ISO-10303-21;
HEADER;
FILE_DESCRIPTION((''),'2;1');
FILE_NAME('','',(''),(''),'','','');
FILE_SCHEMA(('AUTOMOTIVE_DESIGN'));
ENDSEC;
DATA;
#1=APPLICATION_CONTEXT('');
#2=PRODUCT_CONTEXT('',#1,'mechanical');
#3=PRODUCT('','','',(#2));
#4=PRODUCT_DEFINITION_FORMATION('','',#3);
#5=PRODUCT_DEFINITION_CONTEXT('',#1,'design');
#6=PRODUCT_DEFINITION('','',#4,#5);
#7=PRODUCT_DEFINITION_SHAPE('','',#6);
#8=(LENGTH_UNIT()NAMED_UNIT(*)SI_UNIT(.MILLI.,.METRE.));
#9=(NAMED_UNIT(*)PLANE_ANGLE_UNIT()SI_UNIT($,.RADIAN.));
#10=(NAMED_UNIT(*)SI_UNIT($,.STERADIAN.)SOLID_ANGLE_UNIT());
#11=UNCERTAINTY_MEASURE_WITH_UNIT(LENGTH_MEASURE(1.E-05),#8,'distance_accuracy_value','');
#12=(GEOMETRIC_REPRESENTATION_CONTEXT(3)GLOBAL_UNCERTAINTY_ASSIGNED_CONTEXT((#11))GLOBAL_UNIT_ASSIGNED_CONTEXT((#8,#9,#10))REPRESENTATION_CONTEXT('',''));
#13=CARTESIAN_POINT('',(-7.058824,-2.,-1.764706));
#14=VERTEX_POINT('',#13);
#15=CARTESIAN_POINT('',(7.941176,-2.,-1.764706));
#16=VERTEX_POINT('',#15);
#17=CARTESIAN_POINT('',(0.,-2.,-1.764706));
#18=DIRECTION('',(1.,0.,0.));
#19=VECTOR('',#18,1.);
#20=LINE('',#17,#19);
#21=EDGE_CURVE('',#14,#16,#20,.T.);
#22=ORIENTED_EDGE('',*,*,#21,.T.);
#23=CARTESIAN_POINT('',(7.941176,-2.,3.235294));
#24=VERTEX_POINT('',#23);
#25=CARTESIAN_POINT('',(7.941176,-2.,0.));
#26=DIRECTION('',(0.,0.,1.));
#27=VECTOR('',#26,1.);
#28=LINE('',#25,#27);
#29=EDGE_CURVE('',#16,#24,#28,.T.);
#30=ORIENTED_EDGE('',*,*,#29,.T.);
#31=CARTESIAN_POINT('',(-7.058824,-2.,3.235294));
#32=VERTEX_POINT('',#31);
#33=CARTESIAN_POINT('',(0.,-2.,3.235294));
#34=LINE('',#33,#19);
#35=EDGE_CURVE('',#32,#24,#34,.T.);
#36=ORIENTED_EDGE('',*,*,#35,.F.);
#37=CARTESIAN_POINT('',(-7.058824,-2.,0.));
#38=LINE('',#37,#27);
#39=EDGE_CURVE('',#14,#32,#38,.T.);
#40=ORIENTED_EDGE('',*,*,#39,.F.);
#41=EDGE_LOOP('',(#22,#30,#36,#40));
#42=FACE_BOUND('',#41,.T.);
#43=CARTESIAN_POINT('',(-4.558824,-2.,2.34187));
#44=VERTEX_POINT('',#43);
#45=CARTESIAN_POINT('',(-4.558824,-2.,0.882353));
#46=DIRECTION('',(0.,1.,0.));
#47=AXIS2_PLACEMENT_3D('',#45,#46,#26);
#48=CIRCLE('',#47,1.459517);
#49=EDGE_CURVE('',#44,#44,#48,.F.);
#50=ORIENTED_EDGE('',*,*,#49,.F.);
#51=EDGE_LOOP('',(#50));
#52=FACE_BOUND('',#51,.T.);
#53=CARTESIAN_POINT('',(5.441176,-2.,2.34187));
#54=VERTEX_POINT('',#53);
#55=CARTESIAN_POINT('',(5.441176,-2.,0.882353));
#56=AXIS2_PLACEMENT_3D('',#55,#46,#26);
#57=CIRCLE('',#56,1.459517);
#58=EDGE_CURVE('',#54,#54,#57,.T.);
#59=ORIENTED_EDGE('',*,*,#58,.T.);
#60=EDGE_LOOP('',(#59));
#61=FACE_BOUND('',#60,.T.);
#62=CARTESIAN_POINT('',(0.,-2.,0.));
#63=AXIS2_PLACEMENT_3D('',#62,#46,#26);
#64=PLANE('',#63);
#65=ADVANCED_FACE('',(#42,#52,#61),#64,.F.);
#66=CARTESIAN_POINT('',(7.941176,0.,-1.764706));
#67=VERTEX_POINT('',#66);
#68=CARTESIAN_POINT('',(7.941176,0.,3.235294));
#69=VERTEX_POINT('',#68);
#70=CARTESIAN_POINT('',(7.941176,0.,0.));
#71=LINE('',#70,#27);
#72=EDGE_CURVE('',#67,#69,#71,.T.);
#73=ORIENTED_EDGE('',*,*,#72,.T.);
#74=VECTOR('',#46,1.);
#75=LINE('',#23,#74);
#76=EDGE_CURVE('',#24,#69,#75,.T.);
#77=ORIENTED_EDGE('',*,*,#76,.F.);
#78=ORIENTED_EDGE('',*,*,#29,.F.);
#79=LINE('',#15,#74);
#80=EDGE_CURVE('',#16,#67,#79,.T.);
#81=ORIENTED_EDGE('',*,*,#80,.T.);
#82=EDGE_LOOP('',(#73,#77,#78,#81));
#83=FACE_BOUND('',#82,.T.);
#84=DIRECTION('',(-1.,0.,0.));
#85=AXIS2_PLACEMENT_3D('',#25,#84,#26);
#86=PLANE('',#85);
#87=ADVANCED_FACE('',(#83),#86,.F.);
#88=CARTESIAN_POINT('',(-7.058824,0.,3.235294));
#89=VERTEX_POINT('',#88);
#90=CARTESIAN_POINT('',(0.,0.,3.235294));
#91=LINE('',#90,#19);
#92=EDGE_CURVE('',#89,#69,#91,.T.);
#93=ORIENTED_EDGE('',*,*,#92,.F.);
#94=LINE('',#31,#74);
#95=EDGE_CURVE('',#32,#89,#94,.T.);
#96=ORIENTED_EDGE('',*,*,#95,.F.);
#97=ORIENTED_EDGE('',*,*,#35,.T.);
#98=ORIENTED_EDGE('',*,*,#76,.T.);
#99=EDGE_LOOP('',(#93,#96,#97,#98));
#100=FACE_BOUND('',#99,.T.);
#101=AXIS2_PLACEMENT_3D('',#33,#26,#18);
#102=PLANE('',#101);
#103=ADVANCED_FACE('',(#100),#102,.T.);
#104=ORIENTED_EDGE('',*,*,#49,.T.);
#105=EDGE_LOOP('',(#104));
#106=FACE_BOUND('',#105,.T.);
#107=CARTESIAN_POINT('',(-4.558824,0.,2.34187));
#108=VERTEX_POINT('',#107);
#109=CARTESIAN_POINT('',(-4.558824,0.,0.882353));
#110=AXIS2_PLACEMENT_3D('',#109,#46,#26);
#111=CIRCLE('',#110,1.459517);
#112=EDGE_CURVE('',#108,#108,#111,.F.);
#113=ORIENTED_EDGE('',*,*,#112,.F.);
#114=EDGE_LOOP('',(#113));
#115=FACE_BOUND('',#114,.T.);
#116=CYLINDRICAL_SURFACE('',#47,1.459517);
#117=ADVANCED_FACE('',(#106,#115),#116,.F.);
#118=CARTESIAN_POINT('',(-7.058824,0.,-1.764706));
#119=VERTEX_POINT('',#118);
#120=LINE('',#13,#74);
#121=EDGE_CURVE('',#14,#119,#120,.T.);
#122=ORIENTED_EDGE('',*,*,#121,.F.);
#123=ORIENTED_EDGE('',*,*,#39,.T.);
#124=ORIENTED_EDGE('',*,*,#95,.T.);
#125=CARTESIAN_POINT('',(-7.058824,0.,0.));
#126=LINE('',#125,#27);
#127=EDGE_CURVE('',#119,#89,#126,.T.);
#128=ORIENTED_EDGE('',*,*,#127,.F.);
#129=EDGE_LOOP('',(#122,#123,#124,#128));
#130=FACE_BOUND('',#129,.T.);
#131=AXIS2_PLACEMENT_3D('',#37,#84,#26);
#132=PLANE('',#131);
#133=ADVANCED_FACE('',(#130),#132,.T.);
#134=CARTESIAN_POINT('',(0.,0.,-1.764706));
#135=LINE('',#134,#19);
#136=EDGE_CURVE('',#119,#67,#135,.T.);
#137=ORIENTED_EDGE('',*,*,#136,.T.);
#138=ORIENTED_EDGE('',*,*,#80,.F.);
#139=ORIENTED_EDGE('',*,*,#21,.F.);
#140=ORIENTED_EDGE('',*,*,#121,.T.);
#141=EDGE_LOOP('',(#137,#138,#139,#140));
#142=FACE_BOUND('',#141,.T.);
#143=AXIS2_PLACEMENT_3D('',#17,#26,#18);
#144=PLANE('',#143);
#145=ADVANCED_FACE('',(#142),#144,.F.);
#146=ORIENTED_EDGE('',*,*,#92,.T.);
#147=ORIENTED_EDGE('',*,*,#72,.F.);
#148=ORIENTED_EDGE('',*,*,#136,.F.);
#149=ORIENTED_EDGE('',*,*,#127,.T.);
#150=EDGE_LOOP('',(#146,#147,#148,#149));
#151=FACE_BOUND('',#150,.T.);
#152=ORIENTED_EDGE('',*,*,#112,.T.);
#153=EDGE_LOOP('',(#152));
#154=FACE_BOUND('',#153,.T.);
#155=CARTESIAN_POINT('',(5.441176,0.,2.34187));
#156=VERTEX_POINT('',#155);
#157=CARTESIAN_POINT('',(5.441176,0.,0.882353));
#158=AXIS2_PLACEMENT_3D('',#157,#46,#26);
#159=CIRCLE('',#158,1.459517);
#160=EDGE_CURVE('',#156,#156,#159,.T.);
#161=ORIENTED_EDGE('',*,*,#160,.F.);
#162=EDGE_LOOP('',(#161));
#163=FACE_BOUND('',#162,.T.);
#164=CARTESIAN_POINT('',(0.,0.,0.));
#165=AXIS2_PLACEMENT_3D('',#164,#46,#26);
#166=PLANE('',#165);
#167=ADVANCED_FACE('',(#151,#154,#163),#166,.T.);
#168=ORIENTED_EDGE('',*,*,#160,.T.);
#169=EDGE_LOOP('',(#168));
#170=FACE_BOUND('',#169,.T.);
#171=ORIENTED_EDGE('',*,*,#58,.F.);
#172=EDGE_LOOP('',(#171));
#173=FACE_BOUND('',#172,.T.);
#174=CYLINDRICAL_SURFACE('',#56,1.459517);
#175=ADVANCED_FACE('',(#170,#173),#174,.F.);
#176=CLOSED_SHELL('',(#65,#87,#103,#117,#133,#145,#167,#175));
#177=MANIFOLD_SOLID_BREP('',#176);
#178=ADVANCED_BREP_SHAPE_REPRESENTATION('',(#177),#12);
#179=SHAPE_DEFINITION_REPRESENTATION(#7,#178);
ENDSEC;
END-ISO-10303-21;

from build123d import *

# Parameters (mm, degrees)
SKETCH3_W           = 15
SKETCH3_H           = 5
SKETCH3_R           = 1.45951715
BOSS_EXTRUDE1_DEPTH = 2


with BuildPart() as part:
    # Sketch3 → Boss-Extrude1 (new body)
    with BuildSketch(Plane(origin=(0, 0, 0), x_dir=(1, 0, 0), z_dir=(0, 1, 0))):
        with Locations((0.441176471, -0.735294118)):
            Rectangle(SKETCH3_W, SKETCH3_H)
        with Locations((5.441176471, -0.882352941)):
            Circle(SKETCH3_R, mode=Mode.SUBTRACT)
        with Locations((-4.558823529, -0.882352941)):
            Circle(SKETCH3_R, mode=Mode.SUBTRACT)
    extrude(amount=-BOSS_EXTRUDE1_DEPTH)


solid = part.part
